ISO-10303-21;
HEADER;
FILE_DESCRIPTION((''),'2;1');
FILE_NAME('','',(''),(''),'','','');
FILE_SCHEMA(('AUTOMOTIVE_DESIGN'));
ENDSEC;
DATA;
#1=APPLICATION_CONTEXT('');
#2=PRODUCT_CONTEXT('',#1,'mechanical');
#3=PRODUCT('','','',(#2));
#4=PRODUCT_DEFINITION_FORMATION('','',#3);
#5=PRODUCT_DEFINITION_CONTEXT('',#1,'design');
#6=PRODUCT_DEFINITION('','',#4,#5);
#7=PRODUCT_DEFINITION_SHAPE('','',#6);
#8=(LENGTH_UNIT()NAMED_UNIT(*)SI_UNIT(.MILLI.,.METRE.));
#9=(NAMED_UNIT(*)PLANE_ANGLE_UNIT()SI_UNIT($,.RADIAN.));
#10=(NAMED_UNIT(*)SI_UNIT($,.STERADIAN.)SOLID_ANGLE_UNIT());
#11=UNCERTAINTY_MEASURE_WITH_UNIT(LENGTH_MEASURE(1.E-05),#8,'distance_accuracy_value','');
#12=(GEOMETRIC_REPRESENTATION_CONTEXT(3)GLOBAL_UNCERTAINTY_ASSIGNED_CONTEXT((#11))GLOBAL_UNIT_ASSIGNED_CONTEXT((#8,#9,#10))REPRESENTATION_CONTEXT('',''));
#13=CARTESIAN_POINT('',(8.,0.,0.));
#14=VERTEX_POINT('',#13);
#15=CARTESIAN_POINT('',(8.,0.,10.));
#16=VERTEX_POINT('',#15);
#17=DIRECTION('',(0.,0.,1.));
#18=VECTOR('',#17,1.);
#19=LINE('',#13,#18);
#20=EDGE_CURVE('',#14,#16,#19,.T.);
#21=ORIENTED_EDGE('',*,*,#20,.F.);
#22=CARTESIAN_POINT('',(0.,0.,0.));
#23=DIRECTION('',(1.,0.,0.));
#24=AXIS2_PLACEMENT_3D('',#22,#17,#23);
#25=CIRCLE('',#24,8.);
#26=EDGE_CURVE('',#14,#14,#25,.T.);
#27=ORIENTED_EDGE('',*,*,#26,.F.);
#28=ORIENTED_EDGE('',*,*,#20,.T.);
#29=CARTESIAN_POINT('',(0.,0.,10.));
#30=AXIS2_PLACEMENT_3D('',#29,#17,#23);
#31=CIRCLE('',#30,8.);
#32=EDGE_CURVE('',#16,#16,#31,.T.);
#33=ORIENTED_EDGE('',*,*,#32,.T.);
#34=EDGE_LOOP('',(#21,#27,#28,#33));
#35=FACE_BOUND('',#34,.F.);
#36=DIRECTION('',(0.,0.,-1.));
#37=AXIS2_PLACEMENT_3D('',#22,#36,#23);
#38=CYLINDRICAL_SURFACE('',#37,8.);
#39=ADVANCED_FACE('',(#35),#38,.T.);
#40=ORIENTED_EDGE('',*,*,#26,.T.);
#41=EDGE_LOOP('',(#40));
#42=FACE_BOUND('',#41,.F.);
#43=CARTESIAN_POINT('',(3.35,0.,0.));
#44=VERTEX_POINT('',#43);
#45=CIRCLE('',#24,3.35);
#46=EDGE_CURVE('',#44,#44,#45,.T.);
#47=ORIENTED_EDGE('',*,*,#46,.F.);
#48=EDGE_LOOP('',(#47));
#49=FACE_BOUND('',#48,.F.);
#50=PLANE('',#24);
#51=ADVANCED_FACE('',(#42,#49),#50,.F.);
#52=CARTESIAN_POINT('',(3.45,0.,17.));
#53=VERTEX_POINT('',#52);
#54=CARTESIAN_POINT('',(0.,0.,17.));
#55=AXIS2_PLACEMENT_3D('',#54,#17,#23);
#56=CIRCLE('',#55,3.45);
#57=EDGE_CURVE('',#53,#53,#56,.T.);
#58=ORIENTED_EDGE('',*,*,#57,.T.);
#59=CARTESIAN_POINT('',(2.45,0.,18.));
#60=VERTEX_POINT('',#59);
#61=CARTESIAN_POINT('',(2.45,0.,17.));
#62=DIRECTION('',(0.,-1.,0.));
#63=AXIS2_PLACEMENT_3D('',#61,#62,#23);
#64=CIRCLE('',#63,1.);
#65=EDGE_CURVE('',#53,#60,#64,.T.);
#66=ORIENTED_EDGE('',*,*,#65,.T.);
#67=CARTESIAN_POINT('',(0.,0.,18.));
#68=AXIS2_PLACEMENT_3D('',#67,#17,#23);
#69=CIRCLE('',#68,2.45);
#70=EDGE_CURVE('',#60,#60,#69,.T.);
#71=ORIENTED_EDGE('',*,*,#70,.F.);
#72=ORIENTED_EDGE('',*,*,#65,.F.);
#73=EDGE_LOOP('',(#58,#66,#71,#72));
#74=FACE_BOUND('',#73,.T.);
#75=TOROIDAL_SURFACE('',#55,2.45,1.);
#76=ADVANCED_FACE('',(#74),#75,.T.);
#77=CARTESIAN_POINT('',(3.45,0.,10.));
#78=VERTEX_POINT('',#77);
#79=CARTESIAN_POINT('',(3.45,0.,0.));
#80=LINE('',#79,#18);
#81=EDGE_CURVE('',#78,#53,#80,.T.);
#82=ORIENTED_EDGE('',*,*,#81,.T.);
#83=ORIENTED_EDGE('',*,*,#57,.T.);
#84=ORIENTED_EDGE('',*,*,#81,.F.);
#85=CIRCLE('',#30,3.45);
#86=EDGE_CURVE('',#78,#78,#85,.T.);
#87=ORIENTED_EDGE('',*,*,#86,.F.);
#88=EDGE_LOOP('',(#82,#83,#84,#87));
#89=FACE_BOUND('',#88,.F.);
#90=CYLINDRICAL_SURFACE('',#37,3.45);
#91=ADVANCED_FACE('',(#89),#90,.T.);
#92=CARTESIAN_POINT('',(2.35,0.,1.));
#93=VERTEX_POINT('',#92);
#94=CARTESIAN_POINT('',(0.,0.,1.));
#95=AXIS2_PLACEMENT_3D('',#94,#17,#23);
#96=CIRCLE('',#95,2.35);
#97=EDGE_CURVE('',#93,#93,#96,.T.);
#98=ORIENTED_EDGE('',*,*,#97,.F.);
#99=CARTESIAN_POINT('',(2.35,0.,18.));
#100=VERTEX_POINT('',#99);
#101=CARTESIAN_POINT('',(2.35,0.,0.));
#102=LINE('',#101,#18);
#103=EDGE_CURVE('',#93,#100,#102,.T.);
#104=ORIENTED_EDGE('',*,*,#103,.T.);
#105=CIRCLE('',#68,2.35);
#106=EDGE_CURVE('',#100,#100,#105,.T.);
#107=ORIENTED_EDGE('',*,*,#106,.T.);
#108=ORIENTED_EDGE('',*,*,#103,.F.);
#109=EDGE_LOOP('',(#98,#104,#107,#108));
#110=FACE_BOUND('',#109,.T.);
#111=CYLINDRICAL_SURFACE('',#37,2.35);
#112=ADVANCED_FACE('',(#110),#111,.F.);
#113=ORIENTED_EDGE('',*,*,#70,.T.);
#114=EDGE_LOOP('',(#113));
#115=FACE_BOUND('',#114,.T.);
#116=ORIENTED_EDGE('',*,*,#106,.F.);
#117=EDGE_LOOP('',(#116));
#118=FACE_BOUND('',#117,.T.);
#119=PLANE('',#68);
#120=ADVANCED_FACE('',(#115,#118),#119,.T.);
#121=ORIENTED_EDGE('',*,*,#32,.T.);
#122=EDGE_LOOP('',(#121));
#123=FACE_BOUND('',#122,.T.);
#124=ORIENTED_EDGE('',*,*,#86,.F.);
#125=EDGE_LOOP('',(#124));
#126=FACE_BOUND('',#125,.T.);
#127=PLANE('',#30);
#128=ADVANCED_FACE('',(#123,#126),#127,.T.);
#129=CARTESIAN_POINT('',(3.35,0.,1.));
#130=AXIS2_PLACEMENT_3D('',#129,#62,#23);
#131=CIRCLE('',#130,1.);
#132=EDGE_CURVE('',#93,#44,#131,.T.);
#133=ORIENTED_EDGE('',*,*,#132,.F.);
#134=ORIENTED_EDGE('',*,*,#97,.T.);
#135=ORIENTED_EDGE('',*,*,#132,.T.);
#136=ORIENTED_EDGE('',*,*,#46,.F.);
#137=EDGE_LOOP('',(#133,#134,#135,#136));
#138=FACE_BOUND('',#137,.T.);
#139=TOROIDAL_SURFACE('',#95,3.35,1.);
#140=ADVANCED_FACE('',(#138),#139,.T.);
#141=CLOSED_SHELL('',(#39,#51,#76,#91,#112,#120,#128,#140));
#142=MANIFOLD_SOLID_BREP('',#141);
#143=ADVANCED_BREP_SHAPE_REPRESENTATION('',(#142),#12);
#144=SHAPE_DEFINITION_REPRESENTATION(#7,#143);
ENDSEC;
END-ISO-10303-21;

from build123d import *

# Parameters (mm, degrees)
F0_R     = 3.45
F0_R_2   = 2.35
F1_DEPTH = 18
F2_R     = 8
F2_R_2   = 3.45
F3_DEPTH = 10
F4_R     = 1
F5_R     = 1


with BuildPart() as f1:
    # F0 (on Top) → F1 (new body)
    with BuildSketch(Plane.XY):
        Circle(F0_R)
        Circle(F0_R_2, mode=Mode.SUBTRACT)
    extrude(amount=F1_DEPTH)

    # F2 (on Top) → F3 (join)
    with BuildSketch(Plane.XY):
        Circle(F2_R)
        Circle(F2_R_2, mode=Mode.SUBTRACT)
    extrude(amount=F3_DEPTH)

    # F4
    f4_edges = [f1.edges().sort_by_distance(p)[0] for p in [
        (-3.45, 0, 18),
    ]]
    fillet(f4_edges, radius=F4_R)

    # F5
    f5_edges = [f1.edges().sort_by_distance(p)[0] for p in [
        (-2.35, 0, 0),
    ]]
    fillet(f5_edges, radius=F5_R)


solid = f1.part
